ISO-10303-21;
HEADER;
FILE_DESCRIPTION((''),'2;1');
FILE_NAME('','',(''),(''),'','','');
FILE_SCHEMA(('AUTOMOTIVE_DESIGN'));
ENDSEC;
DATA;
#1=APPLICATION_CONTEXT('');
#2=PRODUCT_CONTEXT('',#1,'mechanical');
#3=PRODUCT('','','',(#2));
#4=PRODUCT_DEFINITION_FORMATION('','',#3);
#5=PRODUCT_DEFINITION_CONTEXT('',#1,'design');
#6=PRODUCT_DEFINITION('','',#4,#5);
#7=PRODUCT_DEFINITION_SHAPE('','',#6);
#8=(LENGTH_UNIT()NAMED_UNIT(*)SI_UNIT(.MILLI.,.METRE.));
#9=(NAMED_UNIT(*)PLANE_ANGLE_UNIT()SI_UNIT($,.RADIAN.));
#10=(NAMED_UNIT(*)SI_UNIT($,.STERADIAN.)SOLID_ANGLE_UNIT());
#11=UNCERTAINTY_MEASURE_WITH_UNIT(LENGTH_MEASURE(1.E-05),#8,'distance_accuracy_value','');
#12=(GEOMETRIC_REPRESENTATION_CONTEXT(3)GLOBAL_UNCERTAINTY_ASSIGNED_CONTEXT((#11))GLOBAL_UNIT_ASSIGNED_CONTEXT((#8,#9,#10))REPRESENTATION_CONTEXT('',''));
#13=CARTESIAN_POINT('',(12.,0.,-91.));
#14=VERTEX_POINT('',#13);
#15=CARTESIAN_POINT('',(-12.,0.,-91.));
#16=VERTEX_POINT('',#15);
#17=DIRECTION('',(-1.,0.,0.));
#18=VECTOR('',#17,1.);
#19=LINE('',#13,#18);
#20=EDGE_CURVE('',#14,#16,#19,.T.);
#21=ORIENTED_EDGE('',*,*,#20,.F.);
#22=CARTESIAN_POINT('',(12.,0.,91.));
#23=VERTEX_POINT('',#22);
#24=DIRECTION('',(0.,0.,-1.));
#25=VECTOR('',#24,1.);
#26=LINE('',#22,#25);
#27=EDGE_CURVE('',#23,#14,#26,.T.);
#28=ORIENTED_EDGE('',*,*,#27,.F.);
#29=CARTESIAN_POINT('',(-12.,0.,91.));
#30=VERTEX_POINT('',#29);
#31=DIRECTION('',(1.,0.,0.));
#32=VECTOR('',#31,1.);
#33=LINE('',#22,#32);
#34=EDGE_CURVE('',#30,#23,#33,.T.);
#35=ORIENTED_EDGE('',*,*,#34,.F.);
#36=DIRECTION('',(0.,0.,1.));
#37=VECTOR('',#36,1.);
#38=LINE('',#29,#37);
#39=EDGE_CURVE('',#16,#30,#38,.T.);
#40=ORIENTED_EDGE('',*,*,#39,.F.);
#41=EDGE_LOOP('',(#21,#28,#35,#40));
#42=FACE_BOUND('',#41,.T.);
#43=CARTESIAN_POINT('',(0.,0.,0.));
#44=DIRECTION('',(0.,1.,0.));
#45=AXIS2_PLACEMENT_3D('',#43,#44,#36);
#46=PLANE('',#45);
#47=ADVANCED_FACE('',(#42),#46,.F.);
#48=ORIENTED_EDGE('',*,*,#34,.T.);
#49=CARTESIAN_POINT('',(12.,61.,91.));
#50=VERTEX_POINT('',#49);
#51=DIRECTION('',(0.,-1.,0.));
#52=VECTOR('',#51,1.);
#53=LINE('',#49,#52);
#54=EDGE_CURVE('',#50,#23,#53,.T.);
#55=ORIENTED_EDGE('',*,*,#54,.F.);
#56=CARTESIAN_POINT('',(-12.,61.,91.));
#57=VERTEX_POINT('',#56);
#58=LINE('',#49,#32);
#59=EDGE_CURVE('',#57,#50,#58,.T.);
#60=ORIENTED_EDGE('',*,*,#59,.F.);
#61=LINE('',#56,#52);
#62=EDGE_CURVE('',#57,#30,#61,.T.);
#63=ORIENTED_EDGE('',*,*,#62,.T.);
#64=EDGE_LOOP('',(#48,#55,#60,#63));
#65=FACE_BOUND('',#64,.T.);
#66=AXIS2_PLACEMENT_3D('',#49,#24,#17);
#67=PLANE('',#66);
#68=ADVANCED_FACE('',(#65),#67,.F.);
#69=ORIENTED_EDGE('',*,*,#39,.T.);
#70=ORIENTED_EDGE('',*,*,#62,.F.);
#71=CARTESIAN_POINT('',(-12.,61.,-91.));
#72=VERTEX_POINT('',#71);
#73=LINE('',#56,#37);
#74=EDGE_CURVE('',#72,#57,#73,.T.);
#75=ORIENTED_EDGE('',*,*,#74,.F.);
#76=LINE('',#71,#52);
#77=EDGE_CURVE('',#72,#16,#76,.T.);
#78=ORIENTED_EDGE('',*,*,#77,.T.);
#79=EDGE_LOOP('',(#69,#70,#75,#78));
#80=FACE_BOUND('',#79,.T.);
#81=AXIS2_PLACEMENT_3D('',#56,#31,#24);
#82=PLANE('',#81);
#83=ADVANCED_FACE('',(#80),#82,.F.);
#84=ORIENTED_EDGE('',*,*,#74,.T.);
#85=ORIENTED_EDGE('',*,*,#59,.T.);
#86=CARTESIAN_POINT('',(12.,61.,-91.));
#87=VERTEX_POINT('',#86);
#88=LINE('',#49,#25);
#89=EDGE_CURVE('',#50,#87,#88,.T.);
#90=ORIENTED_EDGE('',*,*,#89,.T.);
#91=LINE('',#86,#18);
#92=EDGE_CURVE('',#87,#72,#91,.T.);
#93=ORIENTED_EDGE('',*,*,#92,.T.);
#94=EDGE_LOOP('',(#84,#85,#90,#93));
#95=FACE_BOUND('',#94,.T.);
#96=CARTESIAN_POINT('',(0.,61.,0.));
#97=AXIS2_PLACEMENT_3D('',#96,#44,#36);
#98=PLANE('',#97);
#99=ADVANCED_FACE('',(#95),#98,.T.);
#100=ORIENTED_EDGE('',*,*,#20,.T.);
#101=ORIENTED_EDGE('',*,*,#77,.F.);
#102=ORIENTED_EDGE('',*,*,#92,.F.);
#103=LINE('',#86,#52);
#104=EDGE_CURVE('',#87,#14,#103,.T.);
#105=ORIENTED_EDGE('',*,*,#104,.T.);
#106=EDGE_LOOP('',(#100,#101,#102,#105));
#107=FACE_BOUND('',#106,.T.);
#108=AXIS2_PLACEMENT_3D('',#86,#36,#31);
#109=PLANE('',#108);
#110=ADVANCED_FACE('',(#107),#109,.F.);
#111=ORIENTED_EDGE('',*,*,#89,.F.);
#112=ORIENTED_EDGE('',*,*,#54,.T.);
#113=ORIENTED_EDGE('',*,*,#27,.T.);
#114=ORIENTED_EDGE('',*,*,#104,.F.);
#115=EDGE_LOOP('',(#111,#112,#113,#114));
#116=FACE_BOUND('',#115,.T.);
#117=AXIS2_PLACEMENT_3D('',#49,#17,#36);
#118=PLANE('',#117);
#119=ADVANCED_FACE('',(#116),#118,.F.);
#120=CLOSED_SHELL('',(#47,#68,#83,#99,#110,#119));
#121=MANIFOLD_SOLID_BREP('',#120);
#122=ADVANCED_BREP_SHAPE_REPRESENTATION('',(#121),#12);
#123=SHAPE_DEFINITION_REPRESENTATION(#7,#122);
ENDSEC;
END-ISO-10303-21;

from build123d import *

# Parameters (mm, degrees)
SKETCH1_W           = 24
SKETCH1_H           = 182
BOSS_EXTRUDE1_DEPTH = 61


with BuildPart() as part:
    # Sketch1 → Boss-Extrude1 (new body)
    with BuildSketch(Plane(origin=(0, 0, 0), x_dir=(1, 0, 0), z_dir=(0, 1, 0))):
        Rectangle(SKETCH1_W, SKETCH1_H)
    extrude(amount=BOSS_EXTRUDE1_DEPTH)


solid = part.part
